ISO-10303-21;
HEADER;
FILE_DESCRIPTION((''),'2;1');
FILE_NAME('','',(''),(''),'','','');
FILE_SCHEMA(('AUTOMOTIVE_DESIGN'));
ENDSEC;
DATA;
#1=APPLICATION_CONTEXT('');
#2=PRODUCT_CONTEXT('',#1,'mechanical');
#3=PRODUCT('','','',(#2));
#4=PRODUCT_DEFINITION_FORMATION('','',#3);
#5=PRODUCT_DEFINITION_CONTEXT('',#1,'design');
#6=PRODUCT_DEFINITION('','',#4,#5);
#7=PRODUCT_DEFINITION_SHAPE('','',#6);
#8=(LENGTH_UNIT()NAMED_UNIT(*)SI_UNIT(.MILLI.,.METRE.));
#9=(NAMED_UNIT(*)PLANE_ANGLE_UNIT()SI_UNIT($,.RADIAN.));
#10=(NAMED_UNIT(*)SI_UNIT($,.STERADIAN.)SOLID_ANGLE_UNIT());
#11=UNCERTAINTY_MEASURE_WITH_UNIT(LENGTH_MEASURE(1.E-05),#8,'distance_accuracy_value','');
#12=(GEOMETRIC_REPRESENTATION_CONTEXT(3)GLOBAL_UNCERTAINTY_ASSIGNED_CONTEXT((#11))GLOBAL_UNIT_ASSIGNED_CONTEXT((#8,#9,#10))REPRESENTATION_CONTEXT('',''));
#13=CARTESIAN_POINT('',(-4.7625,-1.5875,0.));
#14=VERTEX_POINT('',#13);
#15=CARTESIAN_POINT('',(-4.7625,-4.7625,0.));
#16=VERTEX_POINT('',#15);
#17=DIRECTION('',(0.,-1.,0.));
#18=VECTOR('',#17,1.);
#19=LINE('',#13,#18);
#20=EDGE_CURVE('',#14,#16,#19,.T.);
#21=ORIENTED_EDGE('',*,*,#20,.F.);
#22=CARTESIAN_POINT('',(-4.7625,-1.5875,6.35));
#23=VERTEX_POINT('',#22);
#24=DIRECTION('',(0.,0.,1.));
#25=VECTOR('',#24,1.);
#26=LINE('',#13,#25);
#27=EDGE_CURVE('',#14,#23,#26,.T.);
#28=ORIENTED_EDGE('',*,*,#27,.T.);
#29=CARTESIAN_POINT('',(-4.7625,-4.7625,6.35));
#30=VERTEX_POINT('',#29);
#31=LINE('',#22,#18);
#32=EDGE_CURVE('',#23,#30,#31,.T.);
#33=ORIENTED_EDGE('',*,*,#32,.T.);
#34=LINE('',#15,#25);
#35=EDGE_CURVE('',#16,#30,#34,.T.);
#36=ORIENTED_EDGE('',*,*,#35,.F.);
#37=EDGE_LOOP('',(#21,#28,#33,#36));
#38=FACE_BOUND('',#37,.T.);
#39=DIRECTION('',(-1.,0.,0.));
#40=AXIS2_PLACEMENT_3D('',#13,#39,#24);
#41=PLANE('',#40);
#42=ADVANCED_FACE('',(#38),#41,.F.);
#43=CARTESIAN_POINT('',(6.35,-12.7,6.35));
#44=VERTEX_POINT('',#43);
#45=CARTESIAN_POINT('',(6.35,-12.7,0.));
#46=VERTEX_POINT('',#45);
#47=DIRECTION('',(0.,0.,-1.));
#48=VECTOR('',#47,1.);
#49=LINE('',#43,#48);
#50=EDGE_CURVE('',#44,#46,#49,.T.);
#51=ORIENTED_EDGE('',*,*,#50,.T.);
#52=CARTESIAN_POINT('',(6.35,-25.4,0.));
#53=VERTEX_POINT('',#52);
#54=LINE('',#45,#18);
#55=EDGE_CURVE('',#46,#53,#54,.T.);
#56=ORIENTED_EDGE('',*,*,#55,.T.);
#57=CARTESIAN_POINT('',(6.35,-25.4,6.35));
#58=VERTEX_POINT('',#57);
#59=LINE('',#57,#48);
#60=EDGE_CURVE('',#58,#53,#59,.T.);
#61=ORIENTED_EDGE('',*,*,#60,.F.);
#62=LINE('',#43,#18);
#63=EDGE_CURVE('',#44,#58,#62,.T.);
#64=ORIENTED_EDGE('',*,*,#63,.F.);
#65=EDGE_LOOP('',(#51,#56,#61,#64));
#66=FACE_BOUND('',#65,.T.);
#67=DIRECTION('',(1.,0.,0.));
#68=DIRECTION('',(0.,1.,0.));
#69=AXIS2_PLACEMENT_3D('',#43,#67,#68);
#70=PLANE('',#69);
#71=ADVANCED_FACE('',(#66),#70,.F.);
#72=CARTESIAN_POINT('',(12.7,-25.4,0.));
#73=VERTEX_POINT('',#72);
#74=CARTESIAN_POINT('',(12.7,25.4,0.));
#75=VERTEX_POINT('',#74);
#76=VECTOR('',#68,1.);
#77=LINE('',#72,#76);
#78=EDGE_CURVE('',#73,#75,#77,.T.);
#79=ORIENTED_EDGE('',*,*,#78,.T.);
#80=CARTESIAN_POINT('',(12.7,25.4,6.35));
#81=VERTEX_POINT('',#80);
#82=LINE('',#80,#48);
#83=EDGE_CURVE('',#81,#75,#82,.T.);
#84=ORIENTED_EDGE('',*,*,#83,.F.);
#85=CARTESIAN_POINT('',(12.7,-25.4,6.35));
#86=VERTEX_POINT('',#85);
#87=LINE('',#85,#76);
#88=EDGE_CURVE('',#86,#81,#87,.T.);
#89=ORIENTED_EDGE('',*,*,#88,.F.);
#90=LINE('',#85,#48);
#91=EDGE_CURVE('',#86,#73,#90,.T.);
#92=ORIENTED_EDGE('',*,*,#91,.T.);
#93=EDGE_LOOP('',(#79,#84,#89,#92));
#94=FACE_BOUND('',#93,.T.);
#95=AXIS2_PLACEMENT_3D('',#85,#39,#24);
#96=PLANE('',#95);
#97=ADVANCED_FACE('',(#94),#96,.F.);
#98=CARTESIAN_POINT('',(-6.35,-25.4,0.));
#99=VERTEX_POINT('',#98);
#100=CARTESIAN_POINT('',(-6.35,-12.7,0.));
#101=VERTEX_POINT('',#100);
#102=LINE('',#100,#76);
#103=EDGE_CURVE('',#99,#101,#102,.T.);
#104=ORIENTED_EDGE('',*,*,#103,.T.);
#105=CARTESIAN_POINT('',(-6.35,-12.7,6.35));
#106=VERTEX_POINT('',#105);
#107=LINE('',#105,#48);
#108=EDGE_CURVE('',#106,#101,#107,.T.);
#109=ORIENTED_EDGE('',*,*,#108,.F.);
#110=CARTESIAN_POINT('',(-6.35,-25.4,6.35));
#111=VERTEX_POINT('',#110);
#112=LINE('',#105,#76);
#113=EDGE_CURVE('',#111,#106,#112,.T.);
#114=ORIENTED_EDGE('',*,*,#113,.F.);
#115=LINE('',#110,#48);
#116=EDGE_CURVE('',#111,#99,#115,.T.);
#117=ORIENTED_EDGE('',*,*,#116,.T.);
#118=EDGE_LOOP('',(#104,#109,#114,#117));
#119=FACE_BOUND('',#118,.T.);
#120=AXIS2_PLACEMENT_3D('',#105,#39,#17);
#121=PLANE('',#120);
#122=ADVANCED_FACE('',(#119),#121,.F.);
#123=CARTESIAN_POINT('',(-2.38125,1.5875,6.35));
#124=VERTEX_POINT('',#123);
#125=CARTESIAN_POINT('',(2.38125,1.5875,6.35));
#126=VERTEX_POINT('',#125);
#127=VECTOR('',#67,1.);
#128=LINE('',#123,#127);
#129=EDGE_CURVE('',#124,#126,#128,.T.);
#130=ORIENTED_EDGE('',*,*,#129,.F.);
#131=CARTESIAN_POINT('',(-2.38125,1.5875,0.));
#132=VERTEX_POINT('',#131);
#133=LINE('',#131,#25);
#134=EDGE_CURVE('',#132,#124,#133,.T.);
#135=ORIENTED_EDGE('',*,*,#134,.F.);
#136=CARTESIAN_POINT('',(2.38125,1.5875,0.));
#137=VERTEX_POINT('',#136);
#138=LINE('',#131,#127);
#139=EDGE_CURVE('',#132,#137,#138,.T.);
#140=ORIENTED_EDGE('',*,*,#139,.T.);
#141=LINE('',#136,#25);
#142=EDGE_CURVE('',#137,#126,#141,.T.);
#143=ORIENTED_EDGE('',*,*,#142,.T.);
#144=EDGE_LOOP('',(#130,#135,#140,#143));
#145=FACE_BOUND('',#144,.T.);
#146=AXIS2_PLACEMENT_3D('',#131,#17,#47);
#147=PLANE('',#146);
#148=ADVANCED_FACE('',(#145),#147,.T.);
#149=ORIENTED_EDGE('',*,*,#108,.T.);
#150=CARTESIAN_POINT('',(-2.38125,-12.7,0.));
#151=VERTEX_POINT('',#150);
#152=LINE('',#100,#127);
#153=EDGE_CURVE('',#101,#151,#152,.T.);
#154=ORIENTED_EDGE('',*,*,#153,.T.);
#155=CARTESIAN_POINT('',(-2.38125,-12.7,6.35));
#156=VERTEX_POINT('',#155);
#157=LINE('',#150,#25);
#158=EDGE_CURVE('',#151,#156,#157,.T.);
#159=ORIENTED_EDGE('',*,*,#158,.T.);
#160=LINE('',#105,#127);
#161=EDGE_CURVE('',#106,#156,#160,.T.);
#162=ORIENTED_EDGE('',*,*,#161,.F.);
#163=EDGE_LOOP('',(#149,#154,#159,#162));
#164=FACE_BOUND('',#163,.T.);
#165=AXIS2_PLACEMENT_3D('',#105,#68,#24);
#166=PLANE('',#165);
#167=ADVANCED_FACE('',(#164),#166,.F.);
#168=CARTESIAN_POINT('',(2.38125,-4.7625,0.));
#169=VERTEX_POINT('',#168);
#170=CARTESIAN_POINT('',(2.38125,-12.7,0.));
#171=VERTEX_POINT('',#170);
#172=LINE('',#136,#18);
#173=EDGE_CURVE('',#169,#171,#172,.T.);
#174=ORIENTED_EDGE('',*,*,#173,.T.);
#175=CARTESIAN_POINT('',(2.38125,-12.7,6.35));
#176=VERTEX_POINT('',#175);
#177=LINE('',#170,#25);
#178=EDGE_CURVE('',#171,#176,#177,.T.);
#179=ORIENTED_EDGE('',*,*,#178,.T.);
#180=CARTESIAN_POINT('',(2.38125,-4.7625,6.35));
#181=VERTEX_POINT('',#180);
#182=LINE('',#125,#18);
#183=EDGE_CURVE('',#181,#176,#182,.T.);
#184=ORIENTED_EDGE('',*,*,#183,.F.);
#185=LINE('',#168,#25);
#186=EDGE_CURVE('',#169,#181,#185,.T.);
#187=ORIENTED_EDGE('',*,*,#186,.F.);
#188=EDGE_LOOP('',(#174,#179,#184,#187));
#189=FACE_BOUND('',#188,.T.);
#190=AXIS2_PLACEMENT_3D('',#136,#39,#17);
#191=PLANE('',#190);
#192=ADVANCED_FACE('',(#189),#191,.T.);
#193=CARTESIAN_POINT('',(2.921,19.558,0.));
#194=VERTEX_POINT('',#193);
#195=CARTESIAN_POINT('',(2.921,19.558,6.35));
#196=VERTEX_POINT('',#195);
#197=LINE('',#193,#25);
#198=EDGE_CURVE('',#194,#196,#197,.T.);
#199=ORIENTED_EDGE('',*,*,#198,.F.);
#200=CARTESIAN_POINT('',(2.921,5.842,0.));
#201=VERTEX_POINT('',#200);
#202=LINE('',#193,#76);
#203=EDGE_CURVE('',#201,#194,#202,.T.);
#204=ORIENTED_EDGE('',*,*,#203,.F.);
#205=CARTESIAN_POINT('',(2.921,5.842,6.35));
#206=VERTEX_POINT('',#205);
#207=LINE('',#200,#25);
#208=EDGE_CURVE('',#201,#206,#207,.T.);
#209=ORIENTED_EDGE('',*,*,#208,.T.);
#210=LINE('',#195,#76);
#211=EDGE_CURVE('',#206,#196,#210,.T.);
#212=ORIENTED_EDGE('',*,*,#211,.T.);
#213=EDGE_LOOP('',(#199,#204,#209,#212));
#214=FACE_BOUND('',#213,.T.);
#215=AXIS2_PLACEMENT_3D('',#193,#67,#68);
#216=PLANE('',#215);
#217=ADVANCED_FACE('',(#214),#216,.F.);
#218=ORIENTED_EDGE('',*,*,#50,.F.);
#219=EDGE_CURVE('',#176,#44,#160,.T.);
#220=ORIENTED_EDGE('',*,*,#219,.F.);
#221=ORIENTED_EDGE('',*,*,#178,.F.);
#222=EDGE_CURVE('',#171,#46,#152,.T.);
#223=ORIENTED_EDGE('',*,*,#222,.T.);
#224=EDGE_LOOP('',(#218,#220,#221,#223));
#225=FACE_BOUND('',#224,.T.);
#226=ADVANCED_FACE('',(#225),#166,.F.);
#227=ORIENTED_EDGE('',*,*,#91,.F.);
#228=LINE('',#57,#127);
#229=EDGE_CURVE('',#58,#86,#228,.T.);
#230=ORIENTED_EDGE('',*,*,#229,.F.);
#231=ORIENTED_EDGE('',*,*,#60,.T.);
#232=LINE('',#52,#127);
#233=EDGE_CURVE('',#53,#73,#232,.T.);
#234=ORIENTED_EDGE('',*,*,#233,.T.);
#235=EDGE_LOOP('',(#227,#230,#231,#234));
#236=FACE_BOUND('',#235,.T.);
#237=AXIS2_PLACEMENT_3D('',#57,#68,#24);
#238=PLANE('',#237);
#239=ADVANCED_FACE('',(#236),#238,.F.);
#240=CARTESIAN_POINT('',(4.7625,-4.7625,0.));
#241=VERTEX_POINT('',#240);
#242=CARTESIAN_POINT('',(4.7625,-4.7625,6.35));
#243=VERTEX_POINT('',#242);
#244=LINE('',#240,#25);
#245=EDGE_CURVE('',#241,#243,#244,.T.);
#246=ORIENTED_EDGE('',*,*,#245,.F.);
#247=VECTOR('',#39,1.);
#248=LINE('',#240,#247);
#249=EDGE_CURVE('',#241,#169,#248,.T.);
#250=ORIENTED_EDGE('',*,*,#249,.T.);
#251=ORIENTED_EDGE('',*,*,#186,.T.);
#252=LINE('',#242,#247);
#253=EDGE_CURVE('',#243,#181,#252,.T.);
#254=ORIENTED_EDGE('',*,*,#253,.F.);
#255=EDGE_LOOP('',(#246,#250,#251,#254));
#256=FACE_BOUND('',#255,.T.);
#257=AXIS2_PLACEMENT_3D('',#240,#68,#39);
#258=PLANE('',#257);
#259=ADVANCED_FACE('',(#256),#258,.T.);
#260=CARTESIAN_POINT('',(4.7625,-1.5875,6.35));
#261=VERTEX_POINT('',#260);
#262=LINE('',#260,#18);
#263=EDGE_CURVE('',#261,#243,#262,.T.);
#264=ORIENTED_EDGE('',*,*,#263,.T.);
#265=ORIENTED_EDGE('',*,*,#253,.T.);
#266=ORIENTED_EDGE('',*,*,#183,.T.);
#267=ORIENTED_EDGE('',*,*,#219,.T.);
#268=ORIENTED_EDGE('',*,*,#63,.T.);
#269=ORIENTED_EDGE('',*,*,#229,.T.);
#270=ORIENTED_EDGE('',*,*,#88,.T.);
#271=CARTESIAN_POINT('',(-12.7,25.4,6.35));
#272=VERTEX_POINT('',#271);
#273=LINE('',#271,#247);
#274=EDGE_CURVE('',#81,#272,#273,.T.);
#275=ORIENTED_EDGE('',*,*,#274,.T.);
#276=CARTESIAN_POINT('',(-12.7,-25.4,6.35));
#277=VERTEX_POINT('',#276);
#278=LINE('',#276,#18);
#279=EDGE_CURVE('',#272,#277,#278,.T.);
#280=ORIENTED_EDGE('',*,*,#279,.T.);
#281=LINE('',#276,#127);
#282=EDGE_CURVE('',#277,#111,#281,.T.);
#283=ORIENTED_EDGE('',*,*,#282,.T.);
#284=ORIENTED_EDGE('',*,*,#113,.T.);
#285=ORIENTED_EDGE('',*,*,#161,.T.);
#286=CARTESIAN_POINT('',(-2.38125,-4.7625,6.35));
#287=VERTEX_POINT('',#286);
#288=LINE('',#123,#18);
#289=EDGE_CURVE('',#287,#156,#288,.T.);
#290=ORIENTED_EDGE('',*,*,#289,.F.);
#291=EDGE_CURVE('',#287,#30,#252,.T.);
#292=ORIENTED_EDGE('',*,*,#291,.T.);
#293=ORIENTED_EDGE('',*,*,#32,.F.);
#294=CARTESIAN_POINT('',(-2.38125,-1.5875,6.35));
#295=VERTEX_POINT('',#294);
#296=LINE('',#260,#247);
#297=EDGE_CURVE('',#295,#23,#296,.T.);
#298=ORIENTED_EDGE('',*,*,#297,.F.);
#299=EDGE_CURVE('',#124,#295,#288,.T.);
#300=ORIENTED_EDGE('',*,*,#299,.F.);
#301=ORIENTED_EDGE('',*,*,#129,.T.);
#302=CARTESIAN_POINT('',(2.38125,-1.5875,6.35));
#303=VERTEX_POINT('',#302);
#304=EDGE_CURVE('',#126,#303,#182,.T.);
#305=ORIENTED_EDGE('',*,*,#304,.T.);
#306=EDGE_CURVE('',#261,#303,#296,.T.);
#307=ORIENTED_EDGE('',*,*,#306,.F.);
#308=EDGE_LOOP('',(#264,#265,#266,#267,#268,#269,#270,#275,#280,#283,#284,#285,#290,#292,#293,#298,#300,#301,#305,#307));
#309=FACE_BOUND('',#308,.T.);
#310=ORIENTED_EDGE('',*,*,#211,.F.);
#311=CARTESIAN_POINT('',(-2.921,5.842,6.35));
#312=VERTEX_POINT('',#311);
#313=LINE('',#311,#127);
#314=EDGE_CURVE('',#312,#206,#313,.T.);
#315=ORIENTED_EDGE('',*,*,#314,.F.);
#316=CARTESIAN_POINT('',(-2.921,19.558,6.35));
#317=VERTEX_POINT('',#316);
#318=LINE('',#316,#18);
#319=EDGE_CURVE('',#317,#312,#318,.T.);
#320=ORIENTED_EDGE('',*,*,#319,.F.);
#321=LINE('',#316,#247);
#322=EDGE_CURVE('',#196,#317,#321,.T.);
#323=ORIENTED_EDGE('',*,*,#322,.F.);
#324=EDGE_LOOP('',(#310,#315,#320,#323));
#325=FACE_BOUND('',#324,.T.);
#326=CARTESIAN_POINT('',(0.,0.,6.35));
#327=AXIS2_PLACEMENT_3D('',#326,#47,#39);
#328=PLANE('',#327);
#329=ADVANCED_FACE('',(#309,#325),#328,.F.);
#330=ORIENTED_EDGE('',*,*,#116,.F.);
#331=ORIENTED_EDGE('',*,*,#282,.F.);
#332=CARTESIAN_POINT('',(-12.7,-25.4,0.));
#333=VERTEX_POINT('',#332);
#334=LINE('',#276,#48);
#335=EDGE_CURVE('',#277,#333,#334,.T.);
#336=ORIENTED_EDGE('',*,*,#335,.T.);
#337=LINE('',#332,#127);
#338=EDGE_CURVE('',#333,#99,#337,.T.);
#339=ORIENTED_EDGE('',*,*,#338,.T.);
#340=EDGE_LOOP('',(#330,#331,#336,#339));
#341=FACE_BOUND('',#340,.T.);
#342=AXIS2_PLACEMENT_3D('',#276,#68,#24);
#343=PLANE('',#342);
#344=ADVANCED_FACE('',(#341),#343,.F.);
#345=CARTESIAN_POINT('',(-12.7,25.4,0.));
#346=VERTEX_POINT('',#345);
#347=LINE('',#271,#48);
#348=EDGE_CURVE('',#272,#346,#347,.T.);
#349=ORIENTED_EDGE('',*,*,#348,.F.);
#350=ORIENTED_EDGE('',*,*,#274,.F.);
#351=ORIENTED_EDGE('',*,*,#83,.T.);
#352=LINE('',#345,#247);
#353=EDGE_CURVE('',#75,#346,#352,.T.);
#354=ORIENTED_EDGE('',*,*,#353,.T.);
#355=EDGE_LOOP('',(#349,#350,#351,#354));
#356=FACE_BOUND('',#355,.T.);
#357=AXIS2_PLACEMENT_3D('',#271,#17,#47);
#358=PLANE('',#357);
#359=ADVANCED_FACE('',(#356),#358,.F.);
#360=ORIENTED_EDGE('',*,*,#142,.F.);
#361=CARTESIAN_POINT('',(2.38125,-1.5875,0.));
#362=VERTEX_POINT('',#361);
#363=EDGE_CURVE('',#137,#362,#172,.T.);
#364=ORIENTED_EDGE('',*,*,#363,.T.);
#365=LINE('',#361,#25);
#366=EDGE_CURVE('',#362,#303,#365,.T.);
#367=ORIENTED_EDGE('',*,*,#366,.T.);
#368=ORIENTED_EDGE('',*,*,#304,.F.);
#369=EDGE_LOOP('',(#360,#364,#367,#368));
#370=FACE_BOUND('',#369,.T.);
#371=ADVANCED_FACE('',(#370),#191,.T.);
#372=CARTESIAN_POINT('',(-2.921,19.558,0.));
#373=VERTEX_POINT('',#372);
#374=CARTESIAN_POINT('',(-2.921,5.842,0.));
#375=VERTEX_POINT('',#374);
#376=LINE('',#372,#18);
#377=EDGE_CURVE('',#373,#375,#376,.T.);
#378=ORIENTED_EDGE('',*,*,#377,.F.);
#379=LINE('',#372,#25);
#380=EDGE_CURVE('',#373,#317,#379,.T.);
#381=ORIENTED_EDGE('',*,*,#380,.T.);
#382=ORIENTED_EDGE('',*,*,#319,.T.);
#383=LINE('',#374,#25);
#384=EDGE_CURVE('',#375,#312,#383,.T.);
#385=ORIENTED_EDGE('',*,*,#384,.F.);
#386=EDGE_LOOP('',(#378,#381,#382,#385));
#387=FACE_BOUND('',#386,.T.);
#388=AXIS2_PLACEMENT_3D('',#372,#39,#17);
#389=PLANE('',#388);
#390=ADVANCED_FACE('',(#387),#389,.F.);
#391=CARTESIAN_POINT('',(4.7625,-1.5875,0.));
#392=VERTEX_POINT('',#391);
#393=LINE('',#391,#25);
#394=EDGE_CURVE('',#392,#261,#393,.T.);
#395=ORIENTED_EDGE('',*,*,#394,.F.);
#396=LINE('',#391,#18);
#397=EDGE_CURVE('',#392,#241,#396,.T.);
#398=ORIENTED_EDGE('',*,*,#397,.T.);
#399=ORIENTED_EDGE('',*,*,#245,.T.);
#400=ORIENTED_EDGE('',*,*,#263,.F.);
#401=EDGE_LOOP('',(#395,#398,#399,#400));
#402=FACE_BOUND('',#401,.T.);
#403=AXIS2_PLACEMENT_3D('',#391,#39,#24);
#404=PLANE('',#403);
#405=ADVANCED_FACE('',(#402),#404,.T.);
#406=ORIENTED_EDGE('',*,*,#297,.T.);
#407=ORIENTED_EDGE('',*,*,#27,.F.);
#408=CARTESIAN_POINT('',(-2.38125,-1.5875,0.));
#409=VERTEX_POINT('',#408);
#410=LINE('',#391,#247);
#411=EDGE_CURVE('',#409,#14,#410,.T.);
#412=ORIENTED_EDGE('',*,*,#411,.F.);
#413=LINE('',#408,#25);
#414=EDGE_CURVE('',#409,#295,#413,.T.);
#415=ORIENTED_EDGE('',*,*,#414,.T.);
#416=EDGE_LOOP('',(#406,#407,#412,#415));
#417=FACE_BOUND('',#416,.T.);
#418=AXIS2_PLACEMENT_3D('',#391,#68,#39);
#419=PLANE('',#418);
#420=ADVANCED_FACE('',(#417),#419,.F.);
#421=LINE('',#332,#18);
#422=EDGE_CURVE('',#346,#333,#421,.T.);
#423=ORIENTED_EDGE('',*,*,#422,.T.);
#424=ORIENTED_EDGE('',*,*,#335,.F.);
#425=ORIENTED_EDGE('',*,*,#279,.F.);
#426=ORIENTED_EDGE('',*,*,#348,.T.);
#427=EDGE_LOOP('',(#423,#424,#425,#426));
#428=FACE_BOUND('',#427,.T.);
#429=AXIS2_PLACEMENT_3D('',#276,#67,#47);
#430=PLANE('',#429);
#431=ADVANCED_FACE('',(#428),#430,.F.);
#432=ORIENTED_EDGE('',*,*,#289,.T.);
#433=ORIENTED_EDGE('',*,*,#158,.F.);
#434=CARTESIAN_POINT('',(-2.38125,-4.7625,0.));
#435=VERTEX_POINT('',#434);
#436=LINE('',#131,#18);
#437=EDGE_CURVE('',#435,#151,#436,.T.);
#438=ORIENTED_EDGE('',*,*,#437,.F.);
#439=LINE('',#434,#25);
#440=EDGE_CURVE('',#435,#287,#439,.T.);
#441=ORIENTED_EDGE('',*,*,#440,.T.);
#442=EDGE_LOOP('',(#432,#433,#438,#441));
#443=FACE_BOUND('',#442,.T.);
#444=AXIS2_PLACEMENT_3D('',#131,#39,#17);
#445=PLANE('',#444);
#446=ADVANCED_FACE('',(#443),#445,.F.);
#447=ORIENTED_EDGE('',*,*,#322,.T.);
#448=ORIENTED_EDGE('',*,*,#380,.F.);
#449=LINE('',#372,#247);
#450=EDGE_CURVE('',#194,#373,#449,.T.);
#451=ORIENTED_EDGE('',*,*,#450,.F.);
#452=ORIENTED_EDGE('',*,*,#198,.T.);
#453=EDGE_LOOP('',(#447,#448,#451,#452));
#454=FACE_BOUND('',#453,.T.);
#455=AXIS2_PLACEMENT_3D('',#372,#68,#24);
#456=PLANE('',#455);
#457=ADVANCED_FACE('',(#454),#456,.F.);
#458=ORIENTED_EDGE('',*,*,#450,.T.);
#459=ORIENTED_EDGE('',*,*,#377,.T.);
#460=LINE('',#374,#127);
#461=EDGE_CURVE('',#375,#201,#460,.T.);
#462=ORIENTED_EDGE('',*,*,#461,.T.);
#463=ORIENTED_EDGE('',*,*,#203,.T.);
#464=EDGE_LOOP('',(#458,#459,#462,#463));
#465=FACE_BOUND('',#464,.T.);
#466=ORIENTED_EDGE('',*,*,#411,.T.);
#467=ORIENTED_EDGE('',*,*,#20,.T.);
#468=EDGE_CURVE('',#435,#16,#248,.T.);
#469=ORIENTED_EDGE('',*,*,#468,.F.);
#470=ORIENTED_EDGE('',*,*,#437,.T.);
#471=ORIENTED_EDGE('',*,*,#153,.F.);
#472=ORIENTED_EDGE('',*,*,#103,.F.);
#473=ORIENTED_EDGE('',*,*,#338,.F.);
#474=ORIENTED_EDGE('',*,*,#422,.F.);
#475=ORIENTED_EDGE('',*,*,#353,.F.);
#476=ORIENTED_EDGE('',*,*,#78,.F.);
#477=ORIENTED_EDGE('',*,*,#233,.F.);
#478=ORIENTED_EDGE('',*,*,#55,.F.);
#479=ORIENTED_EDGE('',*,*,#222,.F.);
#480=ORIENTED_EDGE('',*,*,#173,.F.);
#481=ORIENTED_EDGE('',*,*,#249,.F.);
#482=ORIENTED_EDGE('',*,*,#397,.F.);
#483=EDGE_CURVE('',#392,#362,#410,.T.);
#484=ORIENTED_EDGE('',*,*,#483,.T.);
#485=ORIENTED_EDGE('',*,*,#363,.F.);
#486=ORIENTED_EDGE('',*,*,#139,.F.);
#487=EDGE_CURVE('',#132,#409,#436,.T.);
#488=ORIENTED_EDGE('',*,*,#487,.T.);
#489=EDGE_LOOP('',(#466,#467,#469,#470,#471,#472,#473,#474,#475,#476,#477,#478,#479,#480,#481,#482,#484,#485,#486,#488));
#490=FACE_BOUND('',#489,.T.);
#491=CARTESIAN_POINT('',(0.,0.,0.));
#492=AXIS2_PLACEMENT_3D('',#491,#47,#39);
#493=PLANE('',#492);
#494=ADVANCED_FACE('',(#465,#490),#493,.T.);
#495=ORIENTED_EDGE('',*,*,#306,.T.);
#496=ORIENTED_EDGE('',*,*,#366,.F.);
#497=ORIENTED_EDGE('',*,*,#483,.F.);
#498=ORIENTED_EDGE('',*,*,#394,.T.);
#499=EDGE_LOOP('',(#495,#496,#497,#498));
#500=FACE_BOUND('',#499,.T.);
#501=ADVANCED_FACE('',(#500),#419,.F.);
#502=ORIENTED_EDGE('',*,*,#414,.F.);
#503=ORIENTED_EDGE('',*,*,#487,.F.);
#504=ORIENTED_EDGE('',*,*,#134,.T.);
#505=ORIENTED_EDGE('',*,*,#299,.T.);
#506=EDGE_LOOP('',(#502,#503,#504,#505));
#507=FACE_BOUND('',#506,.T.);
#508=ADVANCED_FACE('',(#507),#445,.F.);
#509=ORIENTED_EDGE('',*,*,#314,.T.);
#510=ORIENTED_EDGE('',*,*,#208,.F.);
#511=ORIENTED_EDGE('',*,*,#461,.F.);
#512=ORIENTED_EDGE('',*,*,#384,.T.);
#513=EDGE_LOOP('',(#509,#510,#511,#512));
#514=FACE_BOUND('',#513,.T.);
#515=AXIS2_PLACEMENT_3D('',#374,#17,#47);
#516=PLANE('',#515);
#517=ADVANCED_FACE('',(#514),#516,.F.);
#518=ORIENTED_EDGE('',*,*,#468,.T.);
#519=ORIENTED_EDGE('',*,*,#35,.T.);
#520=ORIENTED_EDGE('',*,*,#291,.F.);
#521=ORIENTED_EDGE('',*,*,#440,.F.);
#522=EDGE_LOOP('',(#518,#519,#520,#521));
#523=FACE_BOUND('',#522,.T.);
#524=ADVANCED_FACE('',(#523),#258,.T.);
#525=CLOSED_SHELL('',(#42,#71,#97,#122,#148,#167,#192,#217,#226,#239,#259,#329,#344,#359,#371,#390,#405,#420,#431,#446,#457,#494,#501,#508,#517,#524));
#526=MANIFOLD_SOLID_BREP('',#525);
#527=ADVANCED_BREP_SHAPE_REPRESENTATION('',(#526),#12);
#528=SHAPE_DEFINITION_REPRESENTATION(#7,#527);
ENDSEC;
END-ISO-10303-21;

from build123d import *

# Parameters (mm, degrees)
BOSS_EXTRUDE1_DEPTH = 6.35
SKETCH8_W           = 4.7625
SKETCH8_H           = 14.2875
SKETCH8_W_2         = 9.525
SKETCH8_H_2         = 3.175
CUT_EXTRUDE5_DEPTH  = 6.35
SKETCH9_W           = 5.842
SKETCH9_H           = 13.716
CUT_EXTRUDE6_DEPTH  = 6.35


with BuildPart() as part:
    # Sketch7 → Boss-Extrude1 (new body)
    with BuildSketch(Plane.XY):
        Polygon((6.35, -25.4), (12.7, -25.4), (12.7, 25.4), (-12.7, 25.4), (-12.7, -25.4), (-6.35, -25.4), (-6.35, -12.7), (6.35, -12.7), align=None)
    extrude(amount=BOSS_EXTRUDE1_DEPTH)

    # Sketch8 → Cut-Extrude5 (cut)
    with BuildSketch(Plane.XY.offset(6.35)):
        with Locations((0, -5.55625)):
            Rectangle(SKETCH8_W, SKETCH8_H)
        with Locations((0, -3.175)):
            Rectangle(SKETCH8_W_2, SKETCH8_H_2)
    extrude(amount=-CUT_EXTRUDE5_DEPTH, mode=Mode.SUBTRACT)

    # Sketch9 → Cut-Extrude6 (cut)
    with BuildSketch(Plane.XY.offset(6.35)):
        with Locations((0, 12.7)):
            Rectangle(SKETCH9_W, SKETCH9_H)
    extrude(amount=-CUT_EXTRUDE6_DEPTH, mode=Mode.SUBTRACT)


solid = part.part
